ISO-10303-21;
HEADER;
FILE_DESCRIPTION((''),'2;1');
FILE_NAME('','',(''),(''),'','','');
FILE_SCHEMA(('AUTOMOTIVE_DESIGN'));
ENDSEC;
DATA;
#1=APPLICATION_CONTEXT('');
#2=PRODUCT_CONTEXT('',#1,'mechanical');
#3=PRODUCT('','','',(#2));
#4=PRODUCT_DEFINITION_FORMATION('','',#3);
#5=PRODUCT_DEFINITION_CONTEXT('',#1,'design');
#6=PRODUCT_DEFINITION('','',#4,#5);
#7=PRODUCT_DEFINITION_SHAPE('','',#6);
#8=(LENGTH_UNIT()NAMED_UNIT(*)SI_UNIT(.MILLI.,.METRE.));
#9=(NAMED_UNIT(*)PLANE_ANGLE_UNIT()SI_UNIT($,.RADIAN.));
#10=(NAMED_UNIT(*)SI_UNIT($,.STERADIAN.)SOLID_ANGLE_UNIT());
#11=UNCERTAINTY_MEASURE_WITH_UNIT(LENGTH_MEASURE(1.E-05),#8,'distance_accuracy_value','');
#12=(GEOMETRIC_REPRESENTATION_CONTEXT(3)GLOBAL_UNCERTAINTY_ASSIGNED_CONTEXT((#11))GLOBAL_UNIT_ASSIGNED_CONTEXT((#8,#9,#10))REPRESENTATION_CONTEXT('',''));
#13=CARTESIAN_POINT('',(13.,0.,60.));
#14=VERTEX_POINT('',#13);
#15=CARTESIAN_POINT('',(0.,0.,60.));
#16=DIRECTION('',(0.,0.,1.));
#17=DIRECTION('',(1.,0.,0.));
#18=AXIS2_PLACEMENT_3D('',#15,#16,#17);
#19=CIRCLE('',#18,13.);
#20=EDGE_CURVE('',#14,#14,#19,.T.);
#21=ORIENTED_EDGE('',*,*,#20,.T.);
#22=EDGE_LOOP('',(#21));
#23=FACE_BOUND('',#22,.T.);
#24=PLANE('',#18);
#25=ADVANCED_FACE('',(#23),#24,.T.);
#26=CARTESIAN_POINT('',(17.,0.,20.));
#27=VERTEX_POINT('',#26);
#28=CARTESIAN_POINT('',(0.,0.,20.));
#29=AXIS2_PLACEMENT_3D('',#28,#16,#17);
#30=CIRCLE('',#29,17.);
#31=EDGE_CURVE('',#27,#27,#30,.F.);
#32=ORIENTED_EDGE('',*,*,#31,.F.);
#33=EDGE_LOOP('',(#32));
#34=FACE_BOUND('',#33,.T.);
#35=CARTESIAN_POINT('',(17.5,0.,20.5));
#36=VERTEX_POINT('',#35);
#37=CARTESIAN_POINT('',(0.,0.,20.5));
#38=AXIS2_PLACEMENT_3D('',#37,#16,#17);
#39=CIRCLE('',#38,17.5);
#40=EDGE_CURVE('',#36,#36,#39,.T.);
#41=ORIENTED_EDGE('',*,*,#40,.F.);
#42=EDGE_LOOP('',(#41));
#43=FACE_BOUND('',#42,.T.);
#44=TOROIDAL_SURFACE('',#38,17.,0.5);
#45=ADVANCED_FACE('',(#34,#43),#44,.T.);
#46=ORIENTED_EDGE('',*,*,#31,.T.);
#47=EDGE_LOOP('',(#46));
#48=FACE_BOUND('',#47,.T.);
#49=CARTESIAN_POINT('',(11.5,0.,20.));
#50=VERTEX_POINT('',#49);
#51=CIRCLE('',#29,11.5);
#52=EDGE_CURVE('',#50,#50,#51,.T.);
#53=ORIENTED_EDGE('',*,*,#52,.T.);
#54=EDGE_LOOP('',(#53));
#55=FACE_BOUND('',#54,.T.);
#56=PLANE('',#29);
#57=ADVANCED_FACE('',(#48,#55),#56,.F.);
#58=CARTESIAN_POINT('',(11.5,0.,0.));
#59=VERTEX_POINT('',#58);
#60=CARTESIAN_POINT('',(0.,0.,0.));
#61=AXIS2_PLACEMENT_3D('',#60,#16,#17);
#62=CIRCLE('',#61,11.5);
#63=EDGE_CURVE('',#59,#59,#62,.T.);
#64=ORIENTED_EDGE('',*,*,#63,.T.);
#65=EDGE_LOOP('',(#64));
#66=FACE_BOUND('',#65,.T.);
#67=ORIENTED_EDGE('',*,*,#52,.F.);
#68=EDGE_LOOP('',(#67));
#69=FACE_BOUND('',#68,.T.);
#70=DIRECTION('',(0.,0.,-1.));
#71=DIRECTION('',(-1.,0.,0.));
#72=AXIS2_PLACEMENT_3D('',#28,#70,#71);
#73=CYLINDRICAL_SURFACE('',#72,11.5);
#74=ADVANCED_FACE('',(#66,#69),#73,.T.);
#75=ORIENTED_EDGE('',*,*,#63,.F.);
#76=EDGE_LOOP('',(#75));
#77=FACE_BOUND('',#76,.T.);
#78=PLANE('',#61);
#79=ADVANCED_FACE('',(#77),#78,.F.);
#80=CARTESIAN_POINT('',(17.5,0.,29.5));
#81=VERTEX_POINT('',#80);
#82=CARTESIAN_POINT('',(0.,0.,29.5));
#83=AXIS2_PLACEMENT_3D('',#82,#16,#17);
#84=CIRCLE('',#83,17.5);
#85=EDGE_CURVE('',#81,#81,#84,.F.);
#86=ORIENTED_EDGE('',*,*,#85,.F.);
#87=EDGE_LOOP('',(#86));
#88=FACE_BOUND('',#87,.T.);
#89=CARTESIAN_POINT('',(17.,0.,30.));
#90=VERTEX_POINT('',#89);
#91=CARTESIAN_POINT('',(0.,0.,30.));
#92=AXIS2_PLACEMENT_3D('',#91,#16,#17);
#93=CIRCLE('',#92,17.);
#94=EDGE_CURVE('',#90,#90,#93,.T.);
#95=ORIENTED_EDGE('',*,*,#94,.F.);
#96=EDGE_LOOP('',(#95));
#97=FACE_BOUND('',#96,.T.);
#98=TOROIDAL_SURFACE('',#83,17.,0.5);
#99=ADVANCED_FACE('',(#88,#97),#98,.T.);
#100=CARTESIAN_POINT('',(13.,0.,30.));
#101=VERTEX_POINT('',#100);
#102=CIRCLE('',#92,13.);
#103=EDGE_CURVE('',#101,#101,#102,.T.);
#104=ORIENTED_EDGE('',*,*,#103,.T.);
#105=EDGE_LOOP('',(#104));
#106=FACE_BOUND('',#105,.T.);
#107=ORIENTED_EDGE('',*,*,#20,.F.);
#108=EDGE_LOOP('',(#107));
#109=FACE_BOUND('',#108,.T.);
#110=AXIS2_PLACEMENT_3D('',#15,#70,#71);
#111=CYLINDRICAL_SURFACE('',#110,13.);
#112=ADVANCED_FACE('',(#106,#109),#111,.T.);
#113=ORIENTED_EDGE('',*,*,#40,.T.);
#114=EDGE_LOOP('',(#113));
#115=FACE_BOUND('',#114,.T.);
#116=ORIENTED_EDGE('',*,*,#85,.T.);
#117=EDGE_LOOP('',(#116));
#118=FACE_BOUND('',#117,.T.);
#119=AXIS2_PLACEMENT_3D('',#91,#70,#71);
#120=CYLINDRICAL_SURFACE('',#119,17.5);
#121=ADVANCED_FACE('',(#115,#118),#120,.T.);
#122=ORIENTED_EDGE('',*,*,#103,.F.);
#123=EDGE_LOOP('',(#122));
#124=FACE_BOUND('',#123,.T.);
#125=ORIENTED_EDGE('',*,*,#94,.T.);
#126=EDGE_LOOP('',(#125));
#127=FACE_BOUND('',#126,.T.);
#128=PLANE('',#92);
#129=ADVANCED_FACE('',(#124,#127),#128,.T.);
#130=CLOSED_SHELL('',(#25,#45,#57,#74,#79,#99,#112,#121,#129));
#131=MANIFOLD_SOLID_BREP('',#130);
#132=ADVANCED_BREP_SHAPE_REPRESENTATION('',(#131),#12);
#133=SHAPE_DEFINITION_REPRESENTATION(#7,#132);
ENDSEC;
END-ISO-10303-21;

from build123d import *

# Parameters (mm, degrees)
SKETCH1_R           = 11.5
BOSS_EXTRUDE1_DEPTH = 20
SKETCH2_R           = 17.5
BOSS_EXTRUDE2_DEPTH = 10
SKETCH3_R           = 13
BOSS_EXTRUDE3_DEPTH = 30
FILLET1_R           = 0.5


with BuildPart() as part:
    # Sketch1 → Boss-Extrude1 (new body)
    with BuildSketch(Plane.XY):
        Circle(SKETCH1_R)
    extrude(amount=BOSS_EXTRUDE1_DEPTH)

    # Sketch2 → Boss-Extrude2 (add)
    with BuildSketch(Plane.XY.offset(20)):
        Circle(SKETCH2_R)
    extrude(amount=BOSS_EXTRUDE2_DEPTH)

    # Sketch3 → Boss-Extrude3 (add)
    with BuildSketch(Plane.XY.offset(30)):
        Circle(SKETCH3_R)
    extrude(amount=BOSS_EXTRUDE3_DEPTH)

    # Fillet1
    fillet1_edges = [part.edges().sort_by_distance(p)[0] for p in [
        (-17.5, 0, 20),
        (-17.5, 0, 30),
    ]]
    fillet(fillet1_edges, radius=FILLET1_R)


solid = part.part
